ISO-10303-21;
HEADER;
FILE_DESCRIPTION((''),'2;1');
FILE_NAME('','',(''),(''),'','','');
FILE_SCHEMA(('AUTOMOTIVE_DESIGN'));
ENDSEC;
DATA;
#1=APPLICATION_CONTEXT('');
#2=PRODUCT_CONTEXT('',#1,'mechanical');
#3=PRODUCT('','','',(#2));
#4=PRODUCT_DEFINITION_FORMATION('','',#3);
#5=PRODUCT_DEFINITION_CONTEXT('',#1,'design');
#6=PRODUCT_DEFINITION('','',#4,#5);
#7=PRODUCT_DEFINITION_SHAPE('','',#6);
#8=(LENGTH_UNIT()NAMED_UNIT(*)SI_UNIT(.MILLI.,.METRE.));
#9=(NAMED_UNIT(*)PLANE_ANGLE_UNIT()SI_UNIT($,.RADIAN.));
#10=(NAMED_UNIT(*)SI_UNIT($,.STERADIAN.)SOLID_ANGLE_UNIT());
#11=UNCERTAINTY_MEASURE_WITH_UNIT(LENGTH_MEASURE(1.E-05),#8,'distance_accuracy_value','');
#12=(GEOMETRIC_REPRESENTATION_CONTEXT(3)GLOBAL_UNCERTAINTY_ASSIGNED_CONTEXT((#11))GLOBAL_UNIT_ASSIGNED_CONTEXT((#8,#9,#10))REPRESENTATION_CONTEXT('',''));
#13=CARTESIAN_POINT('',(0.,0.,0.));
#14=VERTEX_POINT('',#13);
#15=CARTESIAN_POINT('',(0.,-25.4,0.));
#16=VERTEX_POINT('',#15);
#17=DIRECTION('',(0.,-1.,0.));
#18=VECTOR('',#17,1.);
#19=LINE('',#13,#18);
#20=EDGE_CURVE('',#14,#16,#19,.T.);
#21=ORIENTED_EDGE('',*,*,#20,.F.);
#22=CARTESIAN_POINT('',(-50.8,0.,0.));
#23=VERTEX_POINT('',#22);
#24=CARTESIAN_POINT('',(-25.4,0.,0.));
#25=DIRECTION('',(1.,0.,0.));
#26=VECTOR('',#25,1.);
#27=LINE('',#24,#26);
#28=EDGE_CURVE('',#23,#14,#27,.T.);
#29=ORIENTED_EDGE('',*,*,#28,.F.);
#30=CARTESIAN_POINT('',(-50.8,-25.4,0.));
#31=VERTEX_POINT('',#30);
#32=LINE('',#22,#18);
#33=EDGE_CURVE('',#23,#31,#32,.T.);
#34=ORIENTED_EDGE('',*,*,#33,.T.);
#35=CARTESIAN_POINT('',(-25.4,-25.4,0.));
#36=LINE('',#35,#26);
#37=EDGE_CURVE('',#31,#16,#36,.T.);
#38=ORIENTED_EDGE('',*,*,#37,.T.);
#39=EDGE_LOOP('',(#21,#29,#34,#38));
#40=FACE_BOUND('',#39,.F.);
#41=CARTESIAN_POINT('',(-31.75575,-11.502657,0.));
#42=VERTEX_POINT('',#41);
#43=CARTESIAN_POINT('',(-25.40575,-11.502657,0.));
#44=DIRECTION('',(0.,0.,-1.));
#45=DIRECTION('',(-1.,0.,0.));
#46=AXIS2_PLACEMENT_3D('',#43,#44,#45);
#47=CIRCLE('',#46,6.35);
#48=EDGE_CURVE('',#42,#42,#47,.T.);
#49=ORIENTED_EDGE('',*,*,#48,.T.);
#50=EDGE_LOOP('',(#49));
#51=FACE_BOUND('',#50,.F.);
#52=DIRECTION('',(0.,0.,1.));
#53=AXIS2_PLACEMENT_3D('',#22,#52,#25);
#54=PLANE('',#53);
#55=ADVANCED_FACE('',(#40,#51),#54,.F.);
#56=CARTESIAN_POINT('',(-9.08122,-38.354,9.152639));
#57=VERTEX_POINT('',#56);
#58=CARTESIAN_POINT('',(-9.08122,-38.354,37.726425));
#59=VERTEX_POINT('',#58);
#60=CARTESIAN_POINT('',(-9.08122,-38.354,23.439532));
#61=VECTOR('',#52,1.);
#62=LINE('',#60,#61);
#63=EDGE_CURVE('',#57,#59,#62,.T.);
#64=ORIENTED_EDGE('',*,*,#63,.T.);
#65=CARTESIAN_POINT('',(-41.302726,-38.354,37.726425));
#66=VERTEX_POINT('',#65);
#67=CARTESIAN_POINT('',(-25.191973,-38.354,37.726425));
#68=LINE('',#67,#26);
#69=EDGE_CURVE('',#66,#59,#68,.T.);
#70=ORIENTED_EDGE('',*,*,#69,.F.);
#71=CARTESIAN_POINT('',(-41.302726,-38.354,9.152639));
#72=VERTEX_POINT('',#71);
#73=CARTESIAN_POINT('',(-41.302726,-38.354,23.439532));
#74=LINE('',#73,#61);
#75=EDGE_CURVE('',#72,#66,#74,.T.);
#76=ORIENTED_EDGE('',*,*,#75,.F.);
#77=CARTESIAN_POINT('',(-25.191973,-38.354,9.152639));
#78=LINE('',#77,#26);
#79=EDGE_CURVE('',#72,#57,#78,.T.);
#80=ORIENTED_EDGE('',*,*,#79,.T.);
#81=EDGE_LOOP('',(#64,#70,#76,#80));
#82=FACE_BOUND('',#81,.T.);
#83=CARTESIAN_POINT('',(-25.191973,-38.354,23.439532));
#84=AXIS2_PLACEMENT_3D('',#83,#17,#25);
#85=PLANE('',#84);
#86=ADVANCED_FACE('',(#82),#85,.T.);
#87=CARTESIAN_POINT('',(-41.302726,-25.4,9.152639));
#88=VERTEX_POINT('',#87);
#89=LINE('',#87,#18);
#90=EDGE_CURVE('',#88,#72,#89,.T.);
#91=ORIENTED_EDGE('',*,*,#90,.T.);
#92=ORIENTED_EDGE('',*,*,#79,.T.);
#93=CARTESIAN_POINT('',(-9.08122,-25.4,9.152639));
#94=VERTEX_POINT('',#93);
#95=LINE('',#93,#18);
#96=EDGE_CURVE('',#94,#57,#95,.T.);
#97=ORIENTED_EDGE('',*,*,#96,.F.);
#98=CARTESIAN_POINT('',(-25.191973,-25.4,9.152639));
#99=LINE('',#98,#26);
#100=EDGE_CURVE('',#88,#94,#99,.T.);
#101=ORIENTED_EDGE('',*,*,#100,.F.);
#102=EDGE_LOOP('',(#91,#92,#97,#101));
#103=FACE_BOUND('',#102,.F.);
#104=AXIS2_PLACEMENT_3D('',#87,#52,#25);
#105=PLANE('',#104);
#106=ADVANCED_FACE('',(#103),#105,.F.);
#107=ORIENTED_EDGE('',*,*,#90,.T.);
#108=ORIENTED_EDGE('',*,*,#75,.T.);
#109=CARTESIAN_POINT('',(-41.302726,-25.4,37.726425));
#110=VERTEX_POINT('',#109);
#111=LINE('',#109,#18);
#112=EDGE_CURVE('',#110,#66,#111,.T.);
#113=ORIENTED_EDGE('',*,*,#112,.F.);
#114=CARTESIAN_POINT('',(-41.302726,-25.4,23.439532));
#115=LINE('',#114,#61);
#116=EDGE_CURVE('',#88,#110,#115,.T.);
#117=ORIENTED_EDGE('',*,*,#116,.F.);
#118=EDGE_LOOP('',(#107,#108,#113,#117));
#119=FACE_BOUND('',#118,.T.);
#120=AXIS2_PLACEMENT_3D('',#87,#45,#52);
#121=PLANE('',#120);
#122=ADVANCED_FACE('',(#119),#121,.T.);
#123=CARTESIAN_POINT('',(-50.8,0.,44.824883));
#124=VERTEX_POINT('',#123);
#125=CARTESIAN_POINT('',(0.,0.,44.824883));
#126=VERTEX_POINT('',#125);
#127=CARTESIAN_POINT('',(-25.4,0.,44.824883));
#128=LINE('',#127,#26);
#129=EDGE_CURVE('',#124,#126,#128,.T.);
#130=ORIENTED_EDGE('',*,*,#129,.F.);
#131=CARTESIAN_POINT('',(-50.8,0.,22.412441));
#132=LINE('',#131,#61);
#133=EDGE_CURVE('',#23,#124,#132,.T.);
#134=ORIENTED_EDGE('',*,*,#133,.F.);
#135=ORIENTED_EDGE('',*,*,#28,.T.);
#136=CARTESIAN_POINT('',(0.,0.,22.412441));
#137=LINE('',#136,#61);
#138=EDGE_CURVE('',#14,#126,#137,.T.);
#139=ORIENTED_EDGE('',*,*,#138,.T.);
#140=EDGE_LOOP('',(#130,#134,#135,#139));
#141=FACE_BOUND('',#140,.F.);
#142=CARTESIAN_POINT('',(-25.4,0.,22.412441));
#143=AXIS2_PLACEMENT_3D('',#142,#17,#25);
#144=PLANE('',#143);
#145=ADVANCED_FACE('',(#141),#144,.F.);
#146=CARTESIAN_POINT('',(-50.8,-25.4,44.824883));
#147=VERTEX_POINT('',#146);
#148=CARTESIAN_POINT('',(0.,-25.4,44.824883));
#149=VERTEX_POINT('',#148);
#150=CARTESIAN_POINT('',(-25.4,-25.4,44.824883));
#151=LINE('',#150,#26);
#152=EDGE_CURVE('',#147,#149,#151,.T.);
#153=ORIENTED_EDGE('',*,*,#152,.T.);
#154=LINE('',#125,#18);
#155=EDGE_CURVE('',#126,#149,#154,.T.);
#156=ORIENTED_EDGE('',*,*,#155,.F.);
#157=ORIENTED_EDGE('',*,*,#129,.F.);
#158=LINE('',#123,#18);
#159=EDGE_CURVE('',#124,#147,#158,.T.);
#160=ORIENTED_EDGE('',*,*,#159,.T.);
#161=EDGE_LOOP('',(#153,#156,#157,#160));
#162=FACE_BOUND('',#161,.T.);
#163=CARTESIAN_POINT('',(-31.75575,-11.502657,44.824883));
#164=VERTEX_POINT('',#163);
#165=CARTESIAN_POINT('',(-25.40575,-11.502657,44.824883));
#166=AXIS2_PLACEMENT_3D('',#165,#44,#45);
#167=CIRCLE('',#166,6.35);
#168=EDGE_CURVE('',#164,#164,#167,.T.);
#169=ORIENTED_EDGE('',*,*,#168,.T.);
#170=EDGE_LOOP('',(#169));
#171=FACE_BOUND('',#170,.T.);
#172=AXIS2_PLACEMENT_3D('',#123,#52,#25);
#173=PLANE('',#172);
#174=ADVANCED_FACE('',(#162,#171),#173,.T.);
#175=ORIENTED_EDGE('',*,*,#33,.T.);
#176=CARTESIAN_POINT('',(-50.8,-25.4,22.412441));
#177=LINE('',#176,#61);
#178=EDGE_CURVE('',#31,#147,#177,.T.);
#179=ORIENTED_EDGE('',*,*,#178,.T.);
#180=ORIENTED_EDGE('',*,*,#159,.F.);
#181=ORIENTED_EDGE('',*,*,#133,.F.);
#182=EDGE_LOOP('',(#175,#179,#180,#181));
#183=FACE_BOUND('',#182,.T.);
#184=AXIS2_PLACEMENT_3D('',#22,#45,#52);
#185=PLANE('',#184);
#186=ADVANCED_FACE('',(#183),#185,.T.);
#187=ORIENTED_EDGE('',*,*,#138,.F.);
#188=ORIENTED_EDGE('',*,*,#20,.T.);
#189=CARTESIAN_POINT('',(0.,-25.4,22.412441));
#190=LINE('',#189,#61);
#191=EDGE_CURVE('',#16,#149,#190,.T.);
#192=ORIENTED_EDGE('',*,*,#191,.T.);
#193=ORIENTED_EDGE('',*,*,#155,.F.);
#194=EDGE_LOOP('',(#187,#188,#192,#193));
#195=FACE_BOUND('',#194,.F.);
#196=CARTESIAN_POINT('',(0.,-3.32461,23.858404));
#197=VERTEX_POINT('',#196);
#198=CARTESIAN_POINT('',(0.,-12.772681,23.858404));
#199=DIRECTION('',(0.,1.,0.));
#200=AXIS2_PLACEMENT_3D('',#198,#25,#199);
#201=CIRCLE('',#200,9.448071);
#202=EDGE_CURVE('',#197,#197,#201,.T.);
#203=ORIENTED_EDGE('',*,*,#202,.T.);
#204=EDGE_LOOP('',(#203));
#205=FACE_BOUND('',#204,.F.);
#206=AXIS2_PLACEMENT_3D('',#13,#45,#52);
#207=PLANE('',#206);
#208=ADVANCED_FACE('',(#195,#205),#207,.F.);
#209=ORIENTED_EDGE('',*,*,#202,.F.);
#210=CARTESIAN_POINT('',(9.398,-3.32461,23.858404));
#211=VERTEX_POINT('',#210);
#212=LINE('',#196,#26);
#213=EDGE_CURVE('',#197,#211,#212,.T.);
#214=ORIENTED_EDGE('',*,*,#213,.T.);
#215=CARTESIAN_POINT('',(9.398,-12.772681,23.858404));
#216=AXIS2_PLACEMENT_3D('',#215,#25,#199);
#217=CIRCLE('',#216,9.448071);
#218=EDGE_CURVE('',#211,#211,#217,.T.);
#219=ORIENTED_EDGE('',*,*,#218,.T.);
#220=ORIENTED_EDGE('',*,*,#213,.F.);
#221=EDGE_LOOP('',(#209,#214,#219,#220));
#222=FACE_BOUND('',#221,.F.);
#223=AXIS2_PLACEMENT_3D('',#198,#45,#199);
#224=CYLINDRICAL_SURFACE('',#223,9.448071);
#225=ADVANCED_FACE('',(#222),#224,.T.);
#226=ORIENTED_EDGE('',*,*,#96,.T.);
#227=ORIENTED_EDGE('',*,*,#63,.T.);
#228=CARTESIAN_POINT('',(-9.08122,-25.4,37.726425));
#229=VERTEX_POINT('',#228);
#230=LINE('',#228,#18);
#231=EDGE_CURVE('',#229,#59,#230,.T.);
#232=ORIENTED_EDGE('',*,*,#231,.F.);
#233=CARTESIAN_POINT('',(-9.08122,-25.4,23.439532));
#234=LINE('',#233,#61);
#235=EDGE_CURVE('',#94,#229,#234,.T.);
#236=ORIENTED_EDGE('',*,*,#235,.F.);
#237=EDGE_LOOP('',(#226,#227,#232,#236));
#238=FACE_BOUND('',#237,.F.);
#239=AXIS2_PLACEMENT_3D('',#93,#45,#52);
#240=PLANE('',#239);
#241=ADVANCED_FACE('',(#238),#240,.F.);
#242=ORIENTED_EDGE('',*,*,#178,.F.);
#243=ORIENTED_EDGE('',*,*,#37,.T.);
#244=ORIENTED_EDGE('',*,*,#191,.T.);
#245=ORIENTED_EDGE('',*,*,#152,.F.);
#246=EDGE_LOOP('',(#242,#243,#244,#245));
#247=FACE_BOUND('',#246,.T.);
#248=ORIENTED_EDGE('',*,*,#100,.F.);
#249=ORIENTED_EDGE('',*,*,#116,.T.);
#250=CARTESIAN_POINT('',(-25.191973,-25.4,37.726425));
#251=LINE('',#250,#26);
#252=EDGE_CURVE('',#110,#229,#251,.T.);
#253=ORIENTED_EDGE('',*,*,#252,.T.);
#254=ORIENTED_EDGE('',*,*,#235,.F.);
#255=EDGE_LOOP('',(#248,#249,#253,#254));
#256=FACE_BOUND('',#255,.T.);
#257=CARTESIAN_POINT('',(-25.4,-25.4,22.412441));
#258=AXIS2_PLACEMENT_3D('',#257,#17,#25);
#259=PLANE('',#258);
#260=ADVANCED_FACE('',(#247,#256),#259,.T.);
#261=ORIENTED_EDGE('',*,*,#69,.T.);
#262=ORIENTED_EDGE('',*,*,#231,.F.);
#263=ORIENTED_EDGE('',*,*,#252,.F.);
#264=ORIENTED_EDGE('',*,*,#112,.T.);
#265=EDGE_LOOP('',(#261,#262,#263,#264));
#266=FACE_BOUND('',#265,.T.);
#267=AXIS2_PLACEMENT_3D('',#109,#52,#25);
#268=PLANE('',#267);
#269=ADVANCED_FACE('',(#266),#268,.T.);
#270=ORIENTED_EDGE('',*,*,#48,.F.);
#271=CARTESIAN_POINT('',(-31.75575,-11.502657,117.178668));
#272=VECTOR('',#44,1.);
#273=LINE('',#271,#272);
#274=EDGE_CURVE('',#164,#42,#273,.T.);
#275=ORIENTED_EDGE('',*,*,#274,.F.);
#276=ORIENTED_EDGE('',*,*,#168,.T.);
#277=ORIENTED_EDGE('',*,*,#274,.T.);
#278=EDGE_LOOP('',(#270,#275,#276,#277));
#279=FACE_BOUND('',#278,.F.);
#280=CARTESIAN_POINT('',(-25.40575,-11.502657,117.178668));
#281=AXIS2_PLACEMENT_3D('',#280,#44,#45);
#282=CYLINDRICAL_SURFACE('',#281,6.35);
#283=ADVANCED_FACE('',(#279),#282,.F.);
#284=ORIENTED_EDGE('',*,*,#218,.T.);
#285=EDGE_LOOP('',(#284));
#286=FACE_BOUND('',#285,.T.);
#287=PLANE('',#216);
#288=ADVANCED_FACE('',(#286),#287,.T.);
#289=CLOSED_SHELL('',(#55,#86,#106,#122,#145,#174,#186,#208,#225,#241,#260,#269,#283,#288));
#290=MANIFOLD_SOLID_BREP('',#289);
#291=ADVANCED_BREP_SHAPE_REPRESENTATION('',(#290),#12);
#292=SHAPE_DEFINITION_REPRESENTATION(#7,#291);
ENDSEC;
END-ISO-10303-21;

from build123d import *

# Parameters (mm, degrees)
F0_W     = 50.8
F0_H     = 44.824883
F1_DEPTH = 25.4
F3_D     = 12.7
F4_W     = 32.221506
F4_H     = 28.573785
F5_DEPTH = 12.954
F6_R     = 9.448071
F7_DEPTH = 9.398


with BuildPart() as f1:
    # F0 (on Front) → F1 (new body)
    with BuildSketch(Plane.XZ):
        with Locations((-25.4, 22.412441)):
            Rectangle(F0_W, F0_H)
    extrude(amount=F1_DEPTH)

    # F3 (through all)
    with Locations(Plane.XY.offset(44.824883)):
        with Locations((-25.40575, -11.502657)):
            Hole(F3_D / 2)

    # F4 (on face) → F5 (join)
    with BuildSketch(Plane.XZ.offset(25.4)):
        with Locations((-25.191973, 23.439532)):
            Rectangle(F4_W, F4_H)
    extrude(amount=F5_DEPTH)

    # F6 (on face) → F7 (join)
    with BuildSketch(Plane.YZ):
        with Locations((-12.772681, 23.858404)):
            Circle(F6_R)
    extrude(amount=F7_DEPTH)


solid = f1.part
